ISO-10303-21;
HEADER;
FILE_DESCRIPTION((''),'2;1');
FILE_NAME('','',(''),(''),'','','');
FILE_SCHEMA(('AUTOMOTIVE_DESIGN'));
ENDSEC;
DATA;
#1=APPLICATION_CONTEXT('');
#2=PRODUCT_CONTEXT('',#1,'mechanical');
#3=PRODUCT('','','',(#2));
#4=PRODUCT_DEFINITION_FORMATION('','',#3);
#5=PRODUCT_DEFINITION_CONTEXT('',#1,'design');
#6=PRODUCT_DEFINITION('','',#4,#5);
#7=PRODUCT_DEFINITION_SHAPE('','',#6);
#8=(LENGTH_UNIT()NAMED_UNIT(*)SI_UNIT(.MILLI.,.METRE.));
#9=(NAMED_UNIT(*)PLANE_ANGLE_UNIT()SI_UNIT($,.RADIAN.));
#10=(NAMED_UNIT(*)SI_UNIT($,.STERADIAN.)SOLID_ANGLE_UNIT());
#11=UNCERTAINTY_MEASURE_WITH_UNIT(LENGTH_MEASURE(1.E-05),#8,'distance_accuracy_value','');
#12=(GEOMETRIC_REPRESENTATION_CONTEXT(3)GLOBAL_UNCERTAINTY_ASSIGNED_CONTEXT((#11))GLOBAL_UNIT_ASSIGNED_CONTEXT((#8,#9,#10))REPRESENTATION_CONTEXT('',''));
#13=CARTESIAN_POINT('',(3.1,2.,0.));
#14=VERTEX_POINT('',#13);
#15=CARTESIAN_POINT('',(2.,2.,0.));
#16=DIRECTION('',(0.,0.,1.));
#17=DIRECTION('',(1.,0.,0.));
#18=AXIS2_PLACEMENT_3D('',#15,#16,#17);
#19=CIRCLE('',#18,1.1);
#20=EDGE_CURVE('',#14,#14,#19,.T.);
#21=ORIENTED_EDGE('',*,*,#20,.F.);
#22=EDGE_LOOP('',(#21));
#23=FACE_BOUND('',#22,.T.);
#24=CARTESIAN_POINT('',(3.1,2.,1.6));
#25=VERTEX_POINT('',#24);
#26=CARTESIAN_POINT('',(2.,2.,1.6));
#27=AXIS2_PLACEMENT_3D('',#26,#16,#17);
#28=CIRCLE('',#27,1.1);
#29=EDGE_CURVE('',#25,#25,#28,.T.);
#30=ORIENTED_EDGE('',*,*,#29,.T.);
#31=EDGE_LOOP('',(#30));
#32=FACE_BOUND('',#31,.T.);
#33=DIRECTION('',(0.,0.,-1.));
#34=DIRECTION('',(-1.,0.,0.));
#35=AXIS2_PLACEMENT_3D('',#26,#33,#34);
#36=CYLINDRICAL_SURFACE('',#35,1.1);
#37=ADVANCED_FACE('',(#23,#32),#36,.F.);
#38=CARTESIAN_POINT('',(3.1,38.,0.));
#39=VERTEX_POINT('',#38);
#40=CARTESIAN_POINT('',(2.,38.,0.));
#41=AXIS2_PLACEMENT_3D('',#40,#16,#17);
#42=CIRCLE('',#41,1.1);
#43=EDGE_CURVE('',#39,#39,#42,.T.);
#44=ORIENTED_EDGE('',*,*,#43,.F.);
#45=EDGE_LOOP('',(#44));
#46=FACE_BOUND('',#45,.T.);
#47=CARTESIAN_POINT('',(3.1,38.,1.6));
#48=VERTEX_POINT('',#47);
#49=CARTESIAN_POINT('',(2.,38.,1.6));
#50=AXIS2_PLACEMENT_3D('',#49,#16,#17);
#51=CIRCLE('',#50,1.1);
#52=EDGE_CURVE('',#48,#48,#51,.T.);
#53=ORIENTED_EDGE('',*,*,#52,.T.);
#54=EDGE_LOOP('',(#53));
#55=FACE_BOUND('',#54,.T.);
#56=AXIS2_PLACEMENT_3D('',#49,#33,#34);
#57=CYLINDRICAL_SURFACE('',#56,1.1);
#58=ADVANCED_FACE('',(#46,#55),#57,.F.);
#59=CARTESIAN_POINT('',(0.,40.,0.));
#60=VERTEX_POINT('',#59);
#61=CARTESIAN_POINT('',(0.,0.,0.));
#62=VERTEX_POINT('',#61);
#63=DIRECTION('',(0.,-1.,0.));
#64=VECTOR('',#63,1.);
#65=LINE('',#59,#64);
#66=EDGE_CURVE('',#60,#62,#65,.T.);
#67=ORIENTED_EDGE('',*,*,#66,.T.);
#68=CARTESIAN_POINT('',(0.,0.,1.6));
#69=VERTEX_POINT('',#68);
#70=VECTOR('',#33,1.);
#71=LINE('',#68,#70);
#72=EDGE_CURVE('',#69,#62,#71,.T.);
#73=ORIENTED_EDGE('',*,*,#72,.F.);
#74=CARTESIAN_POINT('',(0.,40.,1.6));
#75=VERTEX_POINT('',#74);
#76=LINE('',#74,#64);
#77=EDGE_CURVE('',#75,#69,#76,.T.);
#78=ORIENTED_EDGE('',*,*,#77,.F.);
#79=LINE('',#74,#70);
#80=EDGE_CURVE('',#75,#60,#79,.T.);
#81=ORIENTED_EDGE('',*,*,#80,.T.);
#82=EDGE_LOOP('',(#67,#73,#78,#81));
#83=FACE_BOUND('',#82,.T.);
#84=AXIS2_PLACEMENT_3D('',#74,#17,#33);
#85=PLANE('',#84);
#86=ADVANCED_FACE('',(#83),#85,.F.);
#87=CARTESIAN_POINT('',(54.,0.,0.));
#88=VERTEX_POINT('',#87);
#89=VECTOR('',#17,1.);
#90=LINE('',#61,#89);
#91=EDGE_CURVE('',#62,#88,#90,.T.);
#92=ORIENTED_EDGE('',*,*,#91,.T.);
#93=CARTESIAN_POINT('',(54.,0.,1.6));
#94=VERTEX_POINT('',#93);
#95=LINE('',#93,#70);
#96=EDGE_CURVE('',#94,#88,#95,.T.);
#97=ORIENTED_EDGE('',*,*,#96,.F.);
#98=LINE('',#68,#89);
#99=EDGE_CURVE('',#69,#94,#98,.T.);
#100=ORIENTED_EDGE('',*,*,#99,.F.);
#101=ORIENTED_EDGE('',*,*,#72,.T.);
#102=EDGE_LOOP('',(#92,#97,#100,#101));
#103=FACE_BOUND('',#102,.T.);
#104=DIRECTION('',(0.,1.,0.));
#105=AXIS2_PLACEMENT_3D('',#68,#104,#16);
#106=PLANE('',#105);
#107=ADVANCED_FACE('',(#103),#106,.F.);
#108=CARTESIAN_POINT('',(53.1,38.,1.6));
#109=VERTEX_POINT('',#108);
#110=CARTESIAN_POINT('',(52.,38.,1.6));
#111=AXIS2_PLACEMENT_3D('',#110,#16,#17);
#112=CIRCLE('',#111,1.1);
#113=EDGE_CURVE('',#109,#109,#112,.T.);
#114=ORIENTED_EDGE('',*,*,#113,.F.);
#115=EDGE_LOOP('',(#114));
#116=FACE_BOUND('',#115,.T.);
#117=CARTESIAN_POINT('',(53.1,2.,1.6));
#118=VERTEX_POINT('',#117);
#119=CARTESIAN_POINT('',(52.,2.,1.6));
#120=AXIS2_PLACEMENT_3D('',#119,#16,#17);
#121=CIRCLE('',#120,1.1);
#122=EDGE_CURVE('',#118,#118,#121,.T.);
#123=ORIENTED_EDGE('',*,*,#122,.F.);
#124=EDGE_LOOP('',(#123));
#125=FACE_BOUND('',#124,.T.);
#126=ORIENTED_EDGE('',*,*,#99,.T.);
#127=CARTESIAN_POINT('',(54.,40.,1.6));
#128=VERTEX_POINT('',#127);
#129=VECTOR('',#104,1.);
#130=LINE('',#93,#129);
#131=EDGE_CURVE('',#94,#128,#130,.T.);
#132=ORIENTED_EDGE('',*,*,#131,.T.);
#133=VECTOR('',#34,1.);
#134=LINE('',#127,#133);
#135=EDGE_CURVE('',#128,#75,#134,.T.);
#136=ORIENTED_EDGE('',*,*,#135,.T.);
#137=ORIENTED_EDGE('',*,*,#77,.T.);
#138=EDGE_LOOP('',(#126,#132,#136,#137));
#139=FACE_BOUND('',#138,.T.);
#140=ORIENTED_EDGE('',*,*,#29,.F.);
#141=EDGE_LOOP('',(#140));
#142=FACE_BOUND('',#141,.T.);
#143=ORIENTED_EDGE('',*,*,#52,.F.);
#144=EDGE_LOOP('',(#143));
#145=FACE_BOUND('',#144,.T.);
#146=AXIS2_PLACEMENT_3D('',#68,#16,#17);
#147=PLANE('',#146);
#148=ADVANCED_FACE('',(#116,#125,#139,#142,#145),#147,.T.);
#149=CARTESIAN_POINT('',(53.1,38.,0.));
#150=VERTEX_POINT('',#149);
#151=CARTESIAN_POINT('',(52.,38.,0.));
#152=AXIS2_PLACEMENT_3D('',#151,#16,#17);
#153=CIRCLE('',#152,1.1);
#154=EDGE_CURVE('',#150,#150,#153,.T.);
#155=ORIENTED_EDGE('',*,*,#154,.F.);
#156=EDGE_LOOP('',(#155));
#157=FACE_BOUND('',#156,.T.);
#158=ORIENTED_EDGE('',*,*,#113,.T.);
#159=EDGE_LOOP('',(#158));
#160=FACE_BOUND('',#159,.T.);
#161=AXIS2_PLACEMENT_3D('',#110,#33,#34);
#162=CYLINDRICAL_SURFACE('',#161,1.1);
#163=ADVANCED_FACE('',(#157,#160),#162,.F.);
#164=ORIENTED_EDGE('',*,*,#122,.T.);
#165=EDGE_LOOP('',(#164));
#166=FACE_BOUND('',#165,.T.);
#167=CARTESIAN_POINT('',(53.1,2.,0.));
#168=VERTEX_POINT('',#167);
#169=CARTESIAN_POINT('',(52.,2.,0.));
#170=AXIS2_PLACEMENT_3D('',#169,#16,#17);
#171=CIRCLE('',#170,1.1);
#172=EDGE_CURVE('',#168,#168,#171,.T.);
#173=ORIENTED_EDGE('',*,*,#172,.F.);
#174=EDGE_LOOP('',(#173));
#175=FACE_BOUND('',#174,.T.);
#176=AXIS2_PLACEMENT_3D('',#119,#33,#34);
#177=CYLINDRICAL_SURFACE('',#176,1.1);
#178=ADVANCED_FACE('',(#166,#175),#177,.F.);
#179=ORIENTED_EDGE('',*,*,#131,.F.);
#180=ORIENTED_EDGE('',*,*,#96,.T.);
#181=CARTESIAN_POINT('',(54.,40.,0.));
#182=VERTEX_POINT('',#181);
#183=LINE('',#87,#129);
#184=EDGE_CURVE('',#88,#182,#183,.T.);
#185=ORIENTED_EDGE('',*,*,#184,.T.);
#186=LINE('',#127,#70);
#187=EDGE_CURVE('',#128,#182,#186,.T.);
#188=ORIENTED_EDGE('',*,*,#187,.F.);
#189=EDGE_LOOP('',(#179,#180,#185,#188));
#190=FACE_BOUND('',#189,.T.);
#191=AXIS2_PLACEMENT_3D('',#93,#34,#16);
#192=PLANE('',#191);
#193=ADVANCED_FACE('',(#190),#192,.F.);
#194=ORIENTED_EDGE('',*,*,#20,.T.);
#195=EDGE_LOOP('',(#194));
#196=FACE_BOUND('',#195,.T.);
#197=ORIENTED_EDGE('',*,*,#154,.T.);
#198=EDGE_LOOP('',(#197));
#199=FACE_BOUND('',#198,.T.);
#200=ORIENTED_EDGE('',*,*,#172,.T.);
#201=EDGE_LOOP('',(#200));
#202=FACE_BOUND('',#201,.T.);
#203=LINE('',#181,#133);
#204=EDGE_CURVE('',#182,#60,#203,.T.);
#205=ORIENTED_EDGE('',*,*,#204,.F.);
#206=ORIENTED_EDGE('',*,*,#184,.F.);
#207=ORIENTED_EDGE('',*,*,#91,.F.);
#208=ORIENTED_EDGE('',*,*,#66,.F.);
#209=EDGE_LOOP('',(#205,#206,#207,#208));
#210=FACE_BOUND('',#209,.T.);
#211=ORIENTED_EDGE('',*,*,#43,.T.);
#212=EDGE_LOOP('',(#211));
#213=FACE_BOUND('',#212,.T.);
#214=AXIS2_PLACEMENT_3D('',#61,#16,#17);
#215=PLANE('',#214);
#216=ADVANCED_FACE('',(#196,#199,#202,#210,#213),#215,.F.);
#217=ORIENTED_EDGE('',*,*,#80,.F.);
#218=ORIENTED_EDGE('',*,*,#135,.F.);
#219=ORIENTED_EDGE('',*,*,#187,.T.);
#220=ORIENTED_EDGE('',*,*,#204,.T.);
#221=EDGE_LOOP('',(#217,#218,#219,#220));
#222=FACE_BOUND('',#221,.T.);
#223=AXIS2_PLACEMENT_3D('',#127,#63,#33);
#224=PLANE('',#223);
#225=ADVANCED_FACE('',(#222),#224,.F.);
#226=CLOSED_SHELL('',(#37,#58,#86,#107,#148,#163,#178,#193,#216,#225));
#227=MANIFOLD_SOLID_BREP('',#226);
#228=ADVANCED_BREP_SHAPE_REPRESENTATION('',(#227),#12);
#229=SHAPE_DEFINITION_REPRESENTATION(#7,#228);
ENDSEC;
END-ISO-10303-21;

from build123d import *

# Parameters (mm, degrees)
MODEL_W         = 54
MODEL_H         = 40
MODEL_R         = 1.1
EXTRUDE_1_DEPTH = 1.6


with BuildPart() as part:
    # Model → ﾎﾞｽ - 押し出し1 (new body)
    with BuildSketch(Plane.XY):
        with Locations((27, 20)):
            Rectangle(MODEL_W, MODEL_H)
        with Locations((2, 2)):
            Circle(MODEL_R, mode=Mode.SUBTRACT)
        with Locations((52, 2)):
            Circle(MODEL_R, mode=Mode.SUBTRACT)
        with Locations((52, 38)):
            Circle(MODEL_R, mode=Mode.SUBTRACT)
        with Locations((2, 38)):
            Circle(MODEL_R, mode=Mode.SUBTRACT)
    extrude(amount=EXTRUDE_1_DEPTH)


solid = part.part
